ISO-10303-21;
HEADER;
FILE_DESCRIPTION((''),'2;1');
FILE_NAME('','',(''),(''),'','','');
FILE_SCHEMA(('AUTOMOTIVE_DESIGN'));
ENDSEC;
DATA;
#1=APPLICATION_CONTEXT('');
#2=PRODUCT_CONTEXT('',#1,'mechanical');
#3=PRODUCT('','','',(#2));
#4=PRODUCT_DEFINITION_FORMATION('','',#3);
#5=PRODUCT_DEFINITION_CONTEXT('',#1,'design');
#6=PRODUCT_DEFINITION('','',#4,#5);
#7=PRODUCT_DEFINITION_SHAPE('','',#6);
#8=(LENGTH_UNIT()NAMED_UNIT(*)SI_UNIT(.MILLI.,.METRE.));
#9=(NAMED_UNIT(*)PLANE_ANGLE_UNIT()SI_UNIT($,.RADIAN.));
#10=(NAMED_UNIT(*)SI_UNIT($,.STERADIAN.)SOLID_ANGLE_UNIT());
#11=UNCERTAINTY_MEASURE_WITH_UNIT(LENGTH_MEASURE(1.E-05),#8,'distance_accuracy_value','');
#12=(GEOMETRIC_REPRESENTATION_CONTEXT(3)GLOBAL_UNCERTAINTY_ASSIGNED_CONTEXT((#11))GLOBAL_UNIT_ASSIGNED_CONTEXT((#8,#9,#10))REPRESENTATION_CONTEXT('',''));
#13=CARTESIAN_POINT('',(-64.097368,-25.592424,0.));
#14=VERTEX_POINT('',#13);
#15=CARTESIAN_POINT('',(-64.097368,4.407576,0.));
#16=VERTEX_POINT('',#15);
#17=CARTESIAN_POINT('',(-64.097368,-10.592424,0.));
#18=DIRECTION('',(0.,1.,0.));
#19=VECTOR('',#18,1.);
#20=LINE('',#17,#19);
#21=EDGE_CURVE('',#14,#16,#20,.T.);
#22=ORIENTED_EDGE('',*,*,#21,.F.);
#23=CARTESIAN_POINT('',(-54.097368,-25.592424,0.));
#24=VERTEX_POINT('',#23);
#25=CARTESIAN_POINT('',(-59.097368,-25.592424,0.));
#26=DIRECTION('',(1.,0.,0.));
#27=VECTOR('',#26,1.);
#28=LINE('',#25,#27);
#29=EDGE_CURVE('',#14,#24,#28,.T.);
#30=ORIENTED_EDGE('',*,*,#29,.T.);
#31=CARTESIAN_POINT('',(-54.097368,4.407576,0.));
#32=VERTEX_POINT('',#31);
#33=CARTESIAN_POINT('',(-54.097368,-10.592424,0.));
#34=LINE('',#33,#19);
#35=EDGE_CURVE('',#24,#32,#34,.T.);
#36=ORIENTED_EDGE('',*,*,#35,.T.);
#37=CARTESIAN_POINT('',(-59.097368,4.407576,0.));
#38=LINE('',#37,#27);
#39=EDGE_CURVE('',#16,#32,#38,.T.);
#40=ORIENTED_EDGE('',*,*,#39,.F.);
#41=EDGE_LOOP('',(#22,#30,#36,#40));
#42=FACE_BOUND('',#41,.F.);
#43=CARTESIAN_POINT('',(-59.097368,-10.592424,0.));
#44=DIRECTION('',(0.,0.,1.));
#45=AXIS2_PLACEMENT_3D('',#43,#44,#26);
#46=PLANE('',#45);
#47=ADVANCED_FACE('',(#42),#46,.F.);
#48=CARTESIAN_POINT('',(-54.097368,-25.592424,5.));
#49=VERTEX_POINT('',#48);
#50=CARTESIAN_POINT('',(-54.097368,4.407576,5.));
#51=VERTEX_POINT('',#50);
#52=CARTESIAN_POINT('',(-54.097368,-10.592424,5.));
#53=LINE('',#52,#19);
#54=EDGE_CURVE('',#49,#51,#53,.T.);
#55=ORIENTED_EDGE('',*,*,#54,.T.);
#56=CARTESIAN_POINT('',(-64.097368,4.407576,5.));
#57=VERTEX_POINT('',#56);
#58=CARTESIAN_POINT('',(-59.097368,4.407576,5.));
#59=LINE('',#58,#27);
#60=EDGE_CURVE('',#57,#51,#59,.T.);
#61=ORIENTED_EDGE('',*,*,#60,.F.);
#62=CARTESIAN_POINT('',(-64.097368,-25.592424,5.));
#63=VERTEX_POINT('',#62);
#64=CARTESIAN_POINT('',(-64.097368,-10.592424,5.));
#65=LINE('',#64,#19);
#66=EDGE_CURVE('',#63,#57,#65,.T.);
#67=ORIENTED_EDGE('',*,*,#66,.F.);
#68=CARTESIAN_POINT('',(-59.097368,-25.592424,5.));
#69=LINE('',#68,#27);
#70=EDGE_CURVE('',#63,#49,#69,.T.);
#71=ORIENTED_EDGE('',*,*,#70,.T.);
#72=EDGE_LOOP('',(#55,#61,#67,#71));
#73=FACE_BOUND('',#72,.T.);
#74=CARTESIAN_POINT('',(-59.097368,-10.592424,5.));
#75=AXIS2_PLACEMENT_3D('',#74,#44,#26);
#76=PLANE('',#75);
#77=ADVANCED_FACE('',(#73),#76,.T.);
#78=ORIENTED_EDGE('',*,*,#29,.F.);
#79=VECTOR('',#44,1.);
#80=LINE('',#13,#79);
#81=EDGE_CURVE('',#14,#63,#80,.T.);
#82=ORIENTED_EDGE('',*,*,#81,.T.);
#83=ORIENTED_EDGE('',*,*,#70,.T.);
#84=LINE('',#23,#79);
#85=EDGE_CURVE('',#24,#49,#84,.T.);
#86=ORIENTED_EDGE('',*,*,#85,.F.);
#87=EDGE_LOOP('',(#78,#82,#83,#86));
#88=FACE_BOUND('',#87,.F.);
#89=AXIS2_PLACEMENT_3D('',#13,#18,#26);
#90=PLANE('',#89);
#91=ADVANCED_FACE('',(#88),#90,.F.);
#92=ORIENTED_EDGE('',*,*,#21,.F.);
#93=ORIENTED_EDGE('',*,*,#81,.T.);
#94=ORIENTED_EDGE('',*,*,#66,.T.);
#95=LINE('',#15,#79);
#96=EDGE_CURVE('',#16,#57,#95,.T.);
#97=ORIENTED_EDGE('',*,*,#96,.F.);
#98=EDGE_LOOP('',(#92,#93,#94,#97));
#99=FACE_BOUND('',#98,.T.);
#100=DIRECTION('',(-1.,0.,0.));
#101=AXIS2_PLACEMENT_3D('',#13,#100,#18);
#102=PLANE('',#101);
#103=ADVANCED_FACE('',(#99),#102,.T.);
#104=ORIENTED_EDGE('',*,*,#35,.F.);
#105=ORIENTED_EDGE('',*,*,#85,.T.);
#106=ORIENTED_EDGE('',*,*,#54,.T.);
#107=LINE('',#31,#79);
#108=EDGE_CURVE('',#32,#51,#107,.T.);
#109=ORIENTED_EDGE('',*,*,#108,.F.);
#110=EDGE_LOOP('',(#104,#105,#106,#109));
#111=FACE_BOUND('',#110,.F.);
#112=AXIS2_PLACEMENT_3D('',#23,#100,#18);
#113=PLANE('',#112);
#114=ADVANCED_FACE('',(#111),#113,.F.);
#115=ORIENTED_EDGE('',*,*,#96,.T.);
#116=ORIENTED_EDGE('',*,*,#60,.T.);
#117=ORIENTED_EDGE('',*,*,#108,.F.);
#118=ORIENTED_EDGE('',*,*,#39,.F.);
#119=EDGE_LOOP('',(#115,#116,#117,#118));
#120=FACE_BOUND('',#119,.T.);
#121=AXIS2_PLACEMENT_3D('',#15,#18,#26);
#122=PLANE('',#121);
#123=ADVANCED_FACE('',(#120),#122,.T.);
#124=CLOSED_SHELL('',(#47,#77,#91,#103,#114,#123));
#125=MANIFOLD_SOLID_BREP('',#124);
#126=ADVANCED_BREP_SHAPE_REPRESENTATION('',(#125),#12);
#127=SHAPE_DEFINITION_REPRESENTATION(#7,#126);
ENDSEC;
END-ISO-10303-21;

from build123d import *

# Parameters (mm, degrees)
ESQUISSE1_W        = 10
ESQUISSE1_H        = 30
BOSS_EXTRU_1_DEPTH = 5


with BuildPart() as part:
    # Esquisse1 → Boss.-Extru.1 (new body)
    with BuildSketch(Plane.XY):
        with Locations((-59.097367664, -10.592424242)):
            Rectangle(ESQUISSE1_W, ESQUISSE1_H)
    extrude(amount=BOSS_EXTRU_1_DEPTH)


solid = part.part
